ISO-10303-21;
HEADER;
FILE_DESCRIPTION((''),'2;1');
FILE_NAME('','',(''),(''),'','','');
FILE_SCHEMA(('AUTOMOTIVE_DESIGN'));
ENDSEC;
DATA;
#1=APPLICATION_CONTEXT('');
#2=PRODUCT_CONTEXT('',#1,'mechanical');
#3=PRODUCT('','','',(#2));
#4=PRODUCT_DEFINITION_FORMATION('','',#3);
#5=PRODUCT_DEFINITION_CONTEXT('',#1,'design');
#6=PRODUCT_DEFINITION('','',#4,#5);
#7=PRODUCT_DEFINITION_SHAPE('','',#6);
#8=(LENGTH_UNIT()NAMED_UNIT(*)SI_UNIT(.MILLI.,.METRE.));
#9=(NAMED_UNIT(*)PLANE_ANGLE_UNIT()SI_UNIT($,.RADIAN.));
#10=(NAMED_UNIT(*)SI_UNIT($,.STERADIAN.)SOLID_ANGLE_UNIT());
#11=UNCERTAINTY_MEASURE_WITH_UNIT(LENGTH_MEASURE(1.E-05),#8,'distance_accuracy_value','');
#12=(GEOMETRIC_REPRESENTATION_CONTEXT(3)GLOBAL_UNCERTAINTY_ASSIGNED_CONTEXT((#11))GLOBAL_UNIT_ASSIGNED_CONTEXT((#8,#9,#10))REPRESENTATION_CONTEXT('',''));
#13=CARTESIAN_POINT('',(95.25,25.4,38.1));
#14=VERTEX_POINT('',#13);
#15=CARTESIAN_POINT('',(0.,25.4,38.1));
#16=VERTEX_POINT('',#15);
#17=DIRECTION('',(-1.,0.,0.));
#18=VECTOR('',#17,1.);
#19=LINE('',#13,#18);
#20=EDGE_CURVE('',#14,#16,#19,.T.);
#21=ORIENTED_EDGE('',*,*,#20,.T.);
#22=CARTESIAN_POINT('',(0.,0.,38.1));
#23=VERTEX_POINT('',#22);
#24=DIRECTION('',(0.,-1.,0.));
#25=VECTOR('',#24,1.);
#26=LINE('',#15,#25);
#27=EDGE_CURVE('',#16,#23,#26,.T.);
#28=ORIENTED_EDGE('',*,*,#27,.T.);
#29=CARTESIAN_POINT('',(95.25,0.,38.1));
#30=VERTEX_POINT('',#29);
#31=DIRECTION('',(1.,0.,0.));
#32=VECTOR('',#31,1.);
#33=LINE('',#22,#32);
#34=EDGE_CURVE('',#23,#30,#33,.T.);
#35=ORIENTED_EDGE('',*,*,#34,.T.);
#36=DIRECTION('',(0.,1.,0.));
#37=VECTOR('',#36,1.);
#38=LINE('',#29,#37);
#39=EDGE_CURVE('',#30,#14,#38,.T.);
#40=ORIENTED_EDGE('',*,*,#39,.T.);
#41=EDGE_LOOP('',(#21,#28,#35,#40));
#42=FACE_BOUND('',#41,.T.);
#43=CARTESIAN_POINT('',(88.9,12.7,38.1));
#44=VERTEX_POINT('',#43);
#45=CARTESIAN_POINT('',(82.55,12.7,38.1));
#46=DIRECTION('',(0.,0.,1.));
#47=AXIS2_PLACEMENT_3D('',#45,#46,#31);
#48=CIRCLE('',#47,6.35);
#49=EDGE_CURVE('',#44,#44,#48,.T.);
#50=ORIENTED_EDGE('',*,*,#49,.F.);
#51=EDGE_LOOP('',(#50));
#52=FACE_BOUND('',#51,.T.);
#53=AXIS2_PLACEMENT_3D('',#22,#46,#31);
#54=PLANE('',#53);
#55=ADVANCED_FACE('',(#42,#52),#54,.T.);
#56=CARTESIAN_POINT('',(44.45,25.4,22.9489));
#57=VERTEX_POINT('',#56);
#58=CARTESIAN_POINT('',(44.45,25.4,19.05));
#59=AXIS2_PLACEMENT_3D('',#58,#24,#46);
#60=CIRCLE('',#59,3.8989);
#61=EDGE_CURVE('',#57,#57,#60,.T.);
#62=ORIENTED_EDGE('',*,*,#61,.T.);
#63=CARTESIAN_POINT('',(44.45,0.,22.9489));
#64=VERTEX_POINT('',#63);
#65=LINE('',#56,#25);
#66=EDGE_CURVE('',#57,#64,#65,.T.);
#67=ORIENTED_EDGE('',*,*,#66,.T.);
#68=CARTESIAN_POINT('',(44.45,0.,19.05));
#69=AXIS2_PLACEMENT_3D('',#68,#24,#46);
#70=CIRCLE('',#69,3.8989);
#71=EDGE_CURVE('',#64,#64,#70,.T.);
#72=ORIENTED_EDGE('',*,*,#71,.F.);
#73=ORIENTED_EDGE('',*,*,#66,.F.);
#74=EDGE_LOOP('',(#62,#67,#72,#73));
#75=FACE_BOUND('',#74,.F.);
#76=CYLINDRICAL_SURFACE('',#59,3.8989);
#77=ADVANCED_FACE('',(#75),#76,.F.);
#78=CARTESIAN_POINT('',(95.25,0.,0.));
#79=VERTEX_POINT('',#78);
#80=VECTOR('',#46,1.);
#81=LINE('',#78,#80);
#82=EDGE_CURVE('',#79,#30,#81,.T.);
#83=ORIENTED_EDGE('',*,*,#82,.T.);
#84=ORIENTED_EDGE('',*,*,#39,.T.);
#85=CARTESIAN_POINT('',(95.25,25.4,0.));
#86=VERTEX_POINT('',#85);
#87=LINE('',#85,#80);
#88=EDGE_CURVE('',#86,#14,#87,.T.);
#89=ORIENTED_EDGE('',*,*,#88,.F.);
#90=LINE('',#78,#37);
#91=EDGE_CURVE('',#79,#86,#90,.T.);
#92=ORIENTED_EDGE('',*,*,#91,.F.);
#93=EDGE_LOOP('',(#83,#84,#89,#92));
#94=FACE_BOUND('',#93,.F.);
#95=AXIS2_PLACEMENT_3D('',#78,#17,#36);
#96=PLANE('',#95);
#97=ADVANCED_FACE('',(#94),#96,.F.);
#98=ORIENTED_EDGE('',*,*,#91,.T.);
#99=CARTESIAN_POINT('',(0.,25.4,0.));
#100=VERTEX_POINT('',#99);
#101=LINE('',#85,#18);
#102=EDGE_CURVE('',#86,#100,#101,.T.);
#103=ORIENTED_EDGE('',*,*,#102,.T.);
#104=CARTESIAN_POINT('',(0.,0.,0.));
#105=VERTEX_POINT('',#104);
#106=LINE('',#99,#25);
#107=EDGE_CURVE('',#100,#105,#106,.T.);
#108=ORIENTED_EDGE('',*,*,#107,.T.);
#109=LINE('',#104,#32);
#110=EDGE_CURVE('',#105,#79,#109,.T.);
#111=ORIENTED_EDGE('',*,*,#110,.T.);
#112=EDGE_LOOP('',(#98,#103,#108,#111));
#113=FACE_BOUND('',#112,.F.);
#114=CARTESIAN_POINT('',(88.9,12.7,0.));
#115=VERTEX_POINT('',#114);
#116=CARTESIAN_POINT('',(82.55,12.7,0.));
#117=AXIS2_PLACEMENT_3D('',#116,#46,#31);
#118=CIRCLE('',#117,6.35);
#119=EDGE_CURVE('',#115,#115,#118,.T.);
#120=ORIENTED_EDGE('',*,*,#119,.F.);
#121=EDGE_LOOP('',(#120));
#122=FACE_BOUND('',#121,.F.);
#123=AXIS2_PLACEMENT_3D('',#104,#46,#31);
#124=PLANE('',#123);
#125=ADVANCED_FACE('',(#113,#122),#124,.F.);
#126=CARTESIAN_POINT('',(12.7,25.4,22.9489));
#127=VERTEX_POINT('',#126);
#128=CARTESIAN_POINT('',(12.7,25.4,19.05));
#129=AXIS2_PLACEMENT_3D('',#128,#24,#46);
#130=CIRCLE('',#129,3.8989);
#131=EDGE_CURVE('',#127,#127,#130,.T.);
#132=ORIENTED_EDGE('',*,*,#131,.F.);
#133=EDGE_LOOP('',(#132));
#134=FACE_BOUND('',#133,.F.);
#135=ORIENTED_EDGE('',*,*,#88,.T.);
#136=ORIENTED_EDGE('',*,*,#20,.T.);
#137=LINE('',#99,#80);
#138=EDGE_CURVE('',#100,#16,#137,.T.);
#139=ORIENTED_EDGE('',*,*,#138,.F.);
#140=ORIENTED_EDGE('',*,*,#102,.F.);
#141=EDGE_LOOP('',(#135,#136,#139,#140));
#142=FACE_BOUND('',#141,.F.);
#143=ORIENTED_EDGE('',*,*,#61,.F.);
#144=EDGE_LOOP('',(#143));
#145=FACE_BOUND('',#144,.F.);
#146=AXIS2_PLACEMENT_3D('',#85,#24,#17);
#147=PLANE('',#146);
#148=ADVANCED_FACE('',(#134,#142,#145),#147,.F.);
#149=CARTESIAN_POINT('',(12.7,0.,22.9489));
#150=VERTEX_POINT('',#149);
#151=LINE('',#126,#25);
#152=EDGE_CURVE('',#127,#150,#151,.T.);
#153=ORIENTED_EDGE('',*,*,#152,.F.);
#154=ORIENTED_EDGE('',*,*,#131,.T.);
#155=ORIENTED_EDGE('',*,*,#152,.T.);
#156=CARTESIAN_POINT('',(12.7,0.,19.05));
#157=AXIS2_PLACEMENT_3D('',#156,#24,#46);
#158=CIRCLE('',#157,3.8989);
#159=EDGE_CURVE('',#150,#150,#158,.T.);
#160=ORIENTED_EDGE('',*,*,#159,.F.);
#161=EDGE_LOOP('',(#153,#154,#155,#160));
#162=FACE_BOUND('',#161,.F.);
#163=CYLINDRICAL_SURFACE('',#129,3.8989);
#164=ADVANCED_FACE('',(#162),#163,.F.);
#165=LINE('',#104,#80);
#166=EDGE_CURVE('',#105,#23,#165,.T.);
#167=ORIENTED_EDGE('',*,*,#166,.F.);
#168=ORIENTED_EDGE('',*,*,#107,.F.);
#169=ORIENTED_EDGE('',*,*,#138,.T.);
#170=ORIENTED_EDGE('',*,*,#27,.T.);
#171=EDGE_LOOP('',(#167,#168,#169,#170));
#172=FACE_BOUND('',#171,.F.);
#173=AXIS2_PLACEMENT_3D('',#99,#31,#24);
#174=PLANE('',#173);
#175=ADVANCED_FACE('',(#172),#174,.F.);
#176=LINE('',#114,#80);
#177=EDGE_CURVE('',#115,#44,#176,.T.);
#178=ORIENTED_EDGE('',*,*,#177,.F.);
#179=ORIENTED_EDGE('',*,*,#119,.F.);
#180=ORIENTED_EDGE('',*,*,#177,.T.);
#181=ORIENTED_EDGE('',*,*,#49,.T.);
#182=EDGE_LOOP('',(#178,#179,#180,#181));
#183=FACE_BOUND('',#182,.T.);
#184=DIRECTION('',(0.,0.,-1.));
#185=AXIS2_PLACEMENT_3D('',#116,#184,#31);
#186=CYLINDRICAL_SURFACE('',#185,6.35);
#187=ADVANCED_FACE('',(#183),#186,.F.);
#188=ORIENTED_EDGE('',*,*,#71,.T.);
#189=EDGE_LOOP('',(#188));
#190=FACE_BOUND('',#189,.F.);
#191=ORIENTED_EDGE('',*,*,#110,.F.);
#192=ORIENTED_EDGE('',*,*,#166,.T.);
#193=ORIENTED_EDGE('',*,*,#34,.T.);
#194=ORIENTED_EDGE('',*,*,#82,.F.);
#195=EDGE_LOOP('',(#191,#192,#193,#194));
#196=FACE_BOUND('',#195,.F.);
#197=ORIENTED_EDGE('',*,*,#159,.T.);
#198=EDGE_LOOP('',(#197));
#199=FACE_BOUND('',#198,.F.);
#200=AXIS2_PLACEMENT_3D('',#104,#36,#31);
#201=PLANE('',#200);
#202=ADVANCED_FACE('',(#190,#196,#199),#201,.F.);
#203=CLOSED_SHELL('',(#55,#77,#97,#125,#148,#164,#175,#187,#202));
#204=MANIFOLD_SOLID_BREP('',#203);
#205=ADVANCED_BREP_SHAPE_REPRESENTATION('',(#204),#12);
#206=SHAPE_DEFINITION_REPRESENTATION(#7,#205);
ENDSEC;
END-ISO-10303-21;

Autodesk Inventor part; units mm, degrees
ref_plane "YZ Plane" through (0, 0, 0) normal (1, 0, 0) x (0, 1, 0)
ref_plane "XZ Plane" through (0, 0, 0) normal (0, 1, 0) x (-1, 0, 0)
ref_plane "XY Plane" through (0, 0, 0) normal (0, 0, 1) x (1, 0, 0)
sketch "Sketch1" plane through (0, 0, 0) normal (0, 0, 1) x (1, 0, 0)
  line L0 (0, 0) -> (95.25, 0)
  line L1 (95.25, 0) -> (95.25, 25.4)
  line L2 (95.25, 25.4) -> (0, 25.4)
  line L3 (0, 25.4) -> (0, 0)
  circle A0 centre (82.55, 12.7) radius 6.35
  dimension "d0" = 25.4
  dimension "d1" = 95.25
  dimension "d2" = 12.7
  dimension "d3" = 12.7
  dimension "d4" = 12.7
extrude "Extrusion1" add sketch "Sketch1" along normal blind 38.1
hole "Hole1" at (12.7, 25.4, 19.05) direction (0, -1, 0) diameter 7.7978 end through all thread size "3/8-16 UNC" class "2B" standard "ANSI Unified Screw Threads"
pattern_linear "Rectangular Pattern1" count 2 spacing 31.75 along (1, 0, 0) of "Hole1"
equation "\"d3\" = 0.5 * d0"
equation "\"d4\" = d3"
properties part number "GE-12023"
